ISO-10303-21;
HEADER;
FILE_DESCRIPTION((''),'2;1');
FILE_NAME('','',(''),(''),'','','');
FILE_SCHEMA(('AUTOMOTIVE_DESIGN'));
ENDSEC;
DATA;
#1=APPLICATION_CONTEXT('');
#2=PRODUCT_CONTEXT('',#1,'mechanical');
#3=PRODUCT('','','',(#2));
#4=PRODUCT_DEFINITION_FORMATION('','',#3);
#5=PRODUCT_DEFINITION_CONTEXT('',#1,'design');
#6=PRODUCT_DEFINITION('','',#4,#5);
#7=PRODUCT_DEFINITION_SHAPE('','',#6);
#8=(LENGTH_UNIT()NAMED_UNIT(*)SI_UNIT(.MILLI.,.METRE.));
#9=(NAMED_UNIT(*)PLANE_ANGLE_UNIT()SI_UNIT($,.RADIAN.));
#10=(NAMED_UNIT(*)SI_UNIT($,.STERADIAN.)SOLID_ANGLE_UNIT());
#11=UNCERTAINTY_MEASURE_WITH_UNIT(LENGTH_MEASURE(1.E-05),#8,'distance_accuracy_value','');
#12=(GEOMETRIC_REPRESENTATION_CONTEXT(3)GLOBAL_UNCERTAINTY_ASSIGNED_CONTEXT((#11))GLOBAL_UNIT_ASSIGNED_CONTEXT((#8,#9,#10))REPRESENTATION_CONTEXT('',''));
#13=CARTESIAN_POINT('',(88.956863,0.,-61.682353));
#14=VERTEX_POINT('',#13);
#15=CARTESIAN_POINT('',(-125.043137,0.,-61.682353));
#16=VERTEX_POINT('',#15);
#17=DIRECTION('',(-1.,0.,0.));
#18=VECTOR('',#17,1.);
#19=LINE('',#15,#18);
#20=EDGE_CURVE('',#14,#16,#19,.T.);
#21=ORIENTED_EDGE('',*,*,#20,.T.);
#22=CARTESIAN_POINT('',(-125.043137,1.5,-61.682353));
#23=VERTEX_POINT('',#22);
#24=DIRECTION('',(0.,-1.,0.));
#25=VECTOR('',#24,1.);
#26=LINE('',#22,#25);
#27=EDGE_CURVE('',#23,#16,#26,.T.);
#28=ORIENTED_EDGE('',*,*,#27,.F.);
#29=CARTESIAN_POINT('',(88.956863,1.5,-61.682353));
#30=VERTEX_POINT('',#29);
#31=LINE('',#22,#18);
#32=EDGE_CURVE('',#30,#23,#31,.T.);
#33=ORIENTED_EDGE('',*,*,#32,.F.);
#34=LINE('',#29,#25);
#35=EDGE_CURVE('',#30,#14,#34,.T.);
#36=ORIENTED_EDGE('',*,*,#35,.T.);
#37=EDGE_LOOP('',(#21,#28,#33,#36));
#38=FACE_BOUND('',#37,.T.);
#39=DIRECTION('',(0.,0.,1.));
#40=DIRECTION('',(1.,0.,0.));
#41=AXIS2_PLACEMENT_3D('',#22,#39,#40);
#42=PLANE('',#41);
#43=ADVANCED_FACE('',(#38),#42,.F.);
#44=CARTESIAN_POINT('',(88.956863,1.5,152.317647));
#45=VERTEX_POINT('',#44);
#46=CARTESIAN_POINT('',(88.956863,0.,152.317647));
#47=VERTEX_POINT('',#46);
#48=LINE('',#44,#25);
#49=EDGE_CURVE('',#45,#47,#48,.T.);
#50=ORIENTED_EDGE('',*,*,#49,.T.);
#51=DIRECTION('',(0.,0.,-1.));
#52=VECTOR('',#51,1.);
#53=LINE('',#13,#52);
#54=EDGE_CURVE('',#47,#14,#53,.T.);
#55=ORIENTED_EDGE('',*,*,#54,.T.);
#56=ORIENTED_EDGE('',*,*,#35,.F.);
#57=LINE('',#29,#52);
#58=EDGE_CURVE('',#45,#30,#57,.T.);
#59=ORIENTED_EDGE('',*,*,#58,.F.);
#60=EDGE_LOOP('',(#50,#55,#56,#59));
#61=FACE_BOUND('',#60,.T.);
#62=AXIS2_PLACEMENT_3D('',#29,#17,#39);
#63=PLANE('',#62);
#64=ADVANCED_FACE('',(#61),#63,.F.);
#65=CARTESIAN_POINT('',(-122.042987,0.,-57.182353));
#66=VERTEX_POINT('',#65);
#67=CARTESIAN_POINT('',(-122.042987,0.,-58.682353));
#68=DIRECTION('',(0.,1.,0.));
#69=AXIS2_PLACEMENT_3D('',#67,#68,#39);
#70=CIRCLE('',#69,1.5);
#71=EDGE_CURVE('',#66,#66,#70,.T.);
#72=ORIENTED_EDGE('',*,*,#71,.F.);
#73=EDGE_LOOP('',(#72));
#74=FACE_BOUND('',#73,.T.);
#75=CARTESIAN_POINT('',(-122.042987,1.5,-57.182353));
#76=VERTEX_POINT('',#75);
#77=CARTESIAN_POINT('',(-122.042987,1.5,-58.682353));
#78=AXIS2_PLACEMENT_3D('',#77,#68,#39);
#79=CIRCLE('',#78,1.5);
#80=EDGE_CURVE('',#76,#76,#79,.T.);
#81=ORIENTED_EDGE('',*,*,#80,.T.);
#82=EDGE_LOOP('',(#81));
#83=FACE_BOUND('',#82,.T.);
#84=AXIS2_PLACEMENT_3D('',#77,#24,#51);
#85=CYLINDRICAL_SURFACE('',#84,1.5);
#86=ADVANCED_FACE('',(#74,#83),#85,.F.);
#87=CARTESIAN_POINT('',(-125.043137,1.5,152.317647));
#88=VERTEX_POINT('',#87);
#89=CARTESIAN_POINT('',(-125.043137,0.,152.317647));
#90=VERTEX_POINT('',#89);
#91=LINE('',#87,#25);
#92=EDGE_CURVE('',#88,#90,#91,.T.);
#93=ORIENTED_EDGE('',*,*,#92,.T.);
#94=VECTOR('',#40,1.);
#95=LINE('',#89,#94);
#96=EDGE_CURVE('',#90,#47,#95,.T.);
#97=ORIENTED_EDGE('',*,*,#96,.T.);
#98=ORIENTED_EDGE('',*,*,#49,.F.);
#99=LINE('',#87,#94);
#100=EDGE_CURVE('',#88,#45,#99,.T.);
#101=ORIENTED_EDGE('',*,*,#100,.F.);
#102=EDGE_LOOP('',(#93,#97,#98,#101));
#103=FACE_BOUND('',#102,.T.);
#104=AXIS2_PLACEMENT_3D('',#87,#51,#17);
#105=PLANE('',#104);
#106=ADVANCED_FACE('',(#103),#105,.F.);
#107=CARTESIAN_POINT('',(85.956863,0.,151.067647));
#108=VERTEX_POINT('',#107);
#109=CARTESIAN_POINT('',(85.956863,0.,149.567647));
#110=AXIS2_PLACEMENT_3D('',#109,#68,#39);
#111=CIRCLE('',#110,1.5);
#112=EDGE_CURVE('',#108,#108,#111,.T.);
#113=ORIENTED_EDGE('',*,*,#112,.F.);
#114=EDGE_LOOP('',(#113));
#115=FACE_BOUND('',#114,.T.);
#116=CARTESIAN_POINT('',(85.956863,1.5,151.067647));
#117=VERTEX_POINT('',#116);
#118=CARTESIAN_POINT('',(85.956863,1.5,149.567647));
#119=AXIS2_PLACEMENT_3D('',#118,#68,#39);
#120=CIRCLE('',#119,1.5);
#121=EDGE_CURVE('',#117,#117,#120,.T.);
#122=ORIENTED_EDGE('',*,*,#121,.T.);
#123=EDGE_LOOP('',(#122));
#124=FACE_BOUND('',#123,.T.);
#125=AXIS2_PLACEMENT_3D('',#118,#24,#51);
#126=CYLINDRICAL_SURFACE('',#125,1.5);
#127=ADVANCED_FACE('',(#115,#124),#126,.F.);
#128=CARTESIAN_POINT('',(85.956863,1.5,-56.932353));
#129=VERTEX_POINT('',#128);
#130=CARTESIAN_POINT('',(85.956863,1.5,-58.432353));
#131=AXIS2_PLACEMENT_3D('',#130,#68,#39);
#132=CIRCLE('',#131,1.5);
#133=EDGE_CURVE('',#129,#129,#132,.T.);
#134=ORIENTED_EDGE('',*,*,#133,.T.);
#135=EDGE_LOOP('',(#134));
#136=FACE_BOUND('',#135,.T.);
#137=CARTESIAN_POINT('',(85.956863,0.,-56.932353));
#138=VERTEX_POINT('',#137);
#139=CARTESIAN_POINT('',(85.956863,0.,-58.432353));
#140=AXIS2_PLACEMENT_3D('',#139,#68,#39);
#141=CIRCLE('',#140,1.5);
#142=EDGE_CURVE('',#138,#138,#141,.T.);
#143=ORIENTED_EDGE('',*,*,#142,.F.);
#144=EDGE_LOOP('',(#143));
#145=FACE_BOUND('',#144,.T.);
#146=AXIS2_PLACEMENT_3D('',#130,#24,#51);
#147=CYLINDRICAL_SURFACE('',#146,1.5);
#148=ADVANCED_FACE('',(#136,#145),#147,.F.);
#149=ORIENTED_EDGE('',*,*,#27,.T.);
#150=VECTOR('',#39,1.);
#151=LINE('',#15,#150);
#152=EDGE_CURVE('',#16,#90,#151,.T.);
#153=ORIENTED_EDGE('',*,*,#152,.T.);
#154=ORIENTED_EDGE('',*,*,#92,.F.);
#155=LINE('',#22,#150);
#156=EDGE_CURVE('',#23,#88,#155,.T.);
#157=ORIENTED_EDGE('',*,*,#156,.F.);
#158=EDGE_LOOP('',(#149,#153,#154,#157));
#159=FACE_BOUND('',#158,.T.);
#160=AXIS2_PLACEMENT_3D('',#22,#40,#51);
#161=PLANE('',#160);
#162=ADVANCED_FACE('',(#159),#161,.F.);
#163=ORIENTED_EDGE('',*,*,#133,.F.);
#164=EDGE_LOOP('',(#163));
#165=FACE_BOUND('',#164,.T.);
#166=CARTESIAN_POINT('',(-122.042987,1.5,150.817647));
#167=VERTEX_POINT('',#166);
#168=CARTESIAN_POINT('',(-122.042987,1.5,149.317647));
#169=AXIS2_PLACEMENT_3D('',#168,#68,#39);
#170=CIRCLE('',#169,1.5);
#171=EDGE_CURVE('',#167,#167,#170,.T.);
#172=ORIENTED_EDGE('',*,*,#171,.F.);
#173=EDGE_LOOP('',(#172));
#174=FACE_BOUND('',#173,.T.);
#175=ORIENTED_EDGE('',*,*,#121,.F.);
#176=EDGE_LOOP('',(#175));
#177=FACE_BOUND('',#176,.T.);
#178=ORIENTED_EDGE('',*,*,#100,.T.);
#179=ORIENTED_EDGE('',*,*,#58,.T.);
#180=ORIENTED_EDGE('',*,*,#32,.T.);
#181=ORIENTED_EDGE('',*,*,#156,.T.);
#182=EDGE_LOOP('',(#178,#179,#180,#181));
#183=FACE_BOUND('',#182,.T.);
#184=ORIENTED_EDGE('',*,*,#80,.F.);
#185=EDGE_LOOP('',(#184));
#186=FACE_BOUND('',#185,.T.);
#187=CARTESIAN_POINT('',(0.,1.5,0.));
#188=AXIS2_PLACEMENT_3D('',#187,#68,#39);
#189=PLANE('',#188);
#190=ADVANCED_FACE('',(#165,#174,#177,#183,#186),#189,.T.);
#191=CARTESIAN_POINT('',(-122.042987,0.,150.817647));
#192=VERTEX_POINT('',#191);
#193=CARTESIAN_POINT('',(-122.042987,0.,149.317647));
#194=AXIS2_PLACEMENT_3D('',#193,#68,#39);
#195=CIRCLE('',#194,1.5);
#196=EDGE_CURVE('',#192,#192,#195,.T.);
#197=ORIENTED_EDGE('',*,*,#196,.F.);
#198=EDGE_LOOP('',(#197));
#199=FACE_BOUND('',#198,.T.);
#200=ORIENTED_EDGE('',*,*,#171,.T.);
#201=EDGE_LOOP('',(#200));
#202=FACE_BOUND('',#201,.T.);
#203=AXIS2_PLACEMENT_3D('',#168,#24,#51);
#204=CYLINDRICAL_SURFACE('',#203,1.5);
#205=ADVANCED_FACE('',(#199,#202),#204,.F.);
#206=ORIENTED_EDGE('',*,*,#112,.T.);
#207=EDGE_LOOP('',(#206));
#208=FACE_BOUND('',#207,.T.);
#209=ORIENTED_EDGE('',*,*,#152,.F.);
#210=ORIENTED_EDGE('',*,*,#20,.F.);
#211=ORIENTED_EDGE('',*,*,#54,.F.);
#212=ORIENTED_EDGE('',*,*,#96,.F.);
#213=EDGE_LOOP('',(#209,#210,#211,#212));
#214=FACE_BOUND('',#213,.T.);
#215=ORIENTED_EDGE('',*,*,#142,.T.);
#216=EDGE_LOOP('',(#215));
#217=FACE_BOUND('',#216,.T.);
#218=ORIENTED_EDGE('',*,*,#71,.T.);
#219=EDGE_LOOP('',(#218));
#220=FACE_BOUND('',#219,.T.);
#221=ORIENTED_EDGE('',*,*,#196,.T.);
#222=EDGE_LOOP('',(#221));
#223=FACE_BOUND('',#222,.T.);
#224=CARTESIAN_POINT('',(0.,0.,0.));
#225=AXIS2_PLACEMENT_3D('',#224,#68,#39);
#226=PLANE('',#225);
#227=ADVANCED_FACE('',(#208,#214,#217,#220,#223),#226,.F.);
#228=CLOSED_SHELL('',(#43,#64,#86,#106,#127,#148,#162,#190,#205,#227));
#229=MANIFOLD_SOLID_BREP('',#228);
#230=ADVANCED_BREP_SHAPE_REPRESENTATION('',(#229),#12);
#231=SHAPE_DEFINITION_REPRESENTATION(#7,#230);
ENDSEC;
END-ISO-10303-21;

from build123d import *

# Parameters (mm, degrees)
CROQUIS1_W              = 214
CROQUIS1_H              = 214
CROQUIS1_R              = 1.5
SALIENTE_EXTRUIR2_DEPTH = 1.5


with BuildPart() as part:
    # Croquis1 → Saliente-Extruir2 (new body)
    with BuildSketch(Plane(origin=(0, 0, 0), x_dir=(1, 0, 0), z_dir=(0, 1, 0))):
        with Locations((-18.043137255, -45.317647059)):
            Rectangle(CROQUIS1_W, CROQUIS1_H)
        with Locations((-122.042987014, 58.682352941)):
            Circle(CROQUIS1_R, mode=Mode.SUBTRACT)
        with Locations((85.956862745, 58.432352941)):
            Circle(CROQUIS1_R, mode=Mode.SUBTRACT)
        with Locations((-122.042987014, -149.317647059)):
            Circle(CROQUIS1_R, mode=Mode.SUBTRACT)
        with Locations((85.956862745, -149.567647059)):
            Circle(CROQUIS1_R, mode=Mode.SUBTRACT)
    extrude(amount=SALIENTE_EXTRUIR2_DEPTH)


solid = part.part
